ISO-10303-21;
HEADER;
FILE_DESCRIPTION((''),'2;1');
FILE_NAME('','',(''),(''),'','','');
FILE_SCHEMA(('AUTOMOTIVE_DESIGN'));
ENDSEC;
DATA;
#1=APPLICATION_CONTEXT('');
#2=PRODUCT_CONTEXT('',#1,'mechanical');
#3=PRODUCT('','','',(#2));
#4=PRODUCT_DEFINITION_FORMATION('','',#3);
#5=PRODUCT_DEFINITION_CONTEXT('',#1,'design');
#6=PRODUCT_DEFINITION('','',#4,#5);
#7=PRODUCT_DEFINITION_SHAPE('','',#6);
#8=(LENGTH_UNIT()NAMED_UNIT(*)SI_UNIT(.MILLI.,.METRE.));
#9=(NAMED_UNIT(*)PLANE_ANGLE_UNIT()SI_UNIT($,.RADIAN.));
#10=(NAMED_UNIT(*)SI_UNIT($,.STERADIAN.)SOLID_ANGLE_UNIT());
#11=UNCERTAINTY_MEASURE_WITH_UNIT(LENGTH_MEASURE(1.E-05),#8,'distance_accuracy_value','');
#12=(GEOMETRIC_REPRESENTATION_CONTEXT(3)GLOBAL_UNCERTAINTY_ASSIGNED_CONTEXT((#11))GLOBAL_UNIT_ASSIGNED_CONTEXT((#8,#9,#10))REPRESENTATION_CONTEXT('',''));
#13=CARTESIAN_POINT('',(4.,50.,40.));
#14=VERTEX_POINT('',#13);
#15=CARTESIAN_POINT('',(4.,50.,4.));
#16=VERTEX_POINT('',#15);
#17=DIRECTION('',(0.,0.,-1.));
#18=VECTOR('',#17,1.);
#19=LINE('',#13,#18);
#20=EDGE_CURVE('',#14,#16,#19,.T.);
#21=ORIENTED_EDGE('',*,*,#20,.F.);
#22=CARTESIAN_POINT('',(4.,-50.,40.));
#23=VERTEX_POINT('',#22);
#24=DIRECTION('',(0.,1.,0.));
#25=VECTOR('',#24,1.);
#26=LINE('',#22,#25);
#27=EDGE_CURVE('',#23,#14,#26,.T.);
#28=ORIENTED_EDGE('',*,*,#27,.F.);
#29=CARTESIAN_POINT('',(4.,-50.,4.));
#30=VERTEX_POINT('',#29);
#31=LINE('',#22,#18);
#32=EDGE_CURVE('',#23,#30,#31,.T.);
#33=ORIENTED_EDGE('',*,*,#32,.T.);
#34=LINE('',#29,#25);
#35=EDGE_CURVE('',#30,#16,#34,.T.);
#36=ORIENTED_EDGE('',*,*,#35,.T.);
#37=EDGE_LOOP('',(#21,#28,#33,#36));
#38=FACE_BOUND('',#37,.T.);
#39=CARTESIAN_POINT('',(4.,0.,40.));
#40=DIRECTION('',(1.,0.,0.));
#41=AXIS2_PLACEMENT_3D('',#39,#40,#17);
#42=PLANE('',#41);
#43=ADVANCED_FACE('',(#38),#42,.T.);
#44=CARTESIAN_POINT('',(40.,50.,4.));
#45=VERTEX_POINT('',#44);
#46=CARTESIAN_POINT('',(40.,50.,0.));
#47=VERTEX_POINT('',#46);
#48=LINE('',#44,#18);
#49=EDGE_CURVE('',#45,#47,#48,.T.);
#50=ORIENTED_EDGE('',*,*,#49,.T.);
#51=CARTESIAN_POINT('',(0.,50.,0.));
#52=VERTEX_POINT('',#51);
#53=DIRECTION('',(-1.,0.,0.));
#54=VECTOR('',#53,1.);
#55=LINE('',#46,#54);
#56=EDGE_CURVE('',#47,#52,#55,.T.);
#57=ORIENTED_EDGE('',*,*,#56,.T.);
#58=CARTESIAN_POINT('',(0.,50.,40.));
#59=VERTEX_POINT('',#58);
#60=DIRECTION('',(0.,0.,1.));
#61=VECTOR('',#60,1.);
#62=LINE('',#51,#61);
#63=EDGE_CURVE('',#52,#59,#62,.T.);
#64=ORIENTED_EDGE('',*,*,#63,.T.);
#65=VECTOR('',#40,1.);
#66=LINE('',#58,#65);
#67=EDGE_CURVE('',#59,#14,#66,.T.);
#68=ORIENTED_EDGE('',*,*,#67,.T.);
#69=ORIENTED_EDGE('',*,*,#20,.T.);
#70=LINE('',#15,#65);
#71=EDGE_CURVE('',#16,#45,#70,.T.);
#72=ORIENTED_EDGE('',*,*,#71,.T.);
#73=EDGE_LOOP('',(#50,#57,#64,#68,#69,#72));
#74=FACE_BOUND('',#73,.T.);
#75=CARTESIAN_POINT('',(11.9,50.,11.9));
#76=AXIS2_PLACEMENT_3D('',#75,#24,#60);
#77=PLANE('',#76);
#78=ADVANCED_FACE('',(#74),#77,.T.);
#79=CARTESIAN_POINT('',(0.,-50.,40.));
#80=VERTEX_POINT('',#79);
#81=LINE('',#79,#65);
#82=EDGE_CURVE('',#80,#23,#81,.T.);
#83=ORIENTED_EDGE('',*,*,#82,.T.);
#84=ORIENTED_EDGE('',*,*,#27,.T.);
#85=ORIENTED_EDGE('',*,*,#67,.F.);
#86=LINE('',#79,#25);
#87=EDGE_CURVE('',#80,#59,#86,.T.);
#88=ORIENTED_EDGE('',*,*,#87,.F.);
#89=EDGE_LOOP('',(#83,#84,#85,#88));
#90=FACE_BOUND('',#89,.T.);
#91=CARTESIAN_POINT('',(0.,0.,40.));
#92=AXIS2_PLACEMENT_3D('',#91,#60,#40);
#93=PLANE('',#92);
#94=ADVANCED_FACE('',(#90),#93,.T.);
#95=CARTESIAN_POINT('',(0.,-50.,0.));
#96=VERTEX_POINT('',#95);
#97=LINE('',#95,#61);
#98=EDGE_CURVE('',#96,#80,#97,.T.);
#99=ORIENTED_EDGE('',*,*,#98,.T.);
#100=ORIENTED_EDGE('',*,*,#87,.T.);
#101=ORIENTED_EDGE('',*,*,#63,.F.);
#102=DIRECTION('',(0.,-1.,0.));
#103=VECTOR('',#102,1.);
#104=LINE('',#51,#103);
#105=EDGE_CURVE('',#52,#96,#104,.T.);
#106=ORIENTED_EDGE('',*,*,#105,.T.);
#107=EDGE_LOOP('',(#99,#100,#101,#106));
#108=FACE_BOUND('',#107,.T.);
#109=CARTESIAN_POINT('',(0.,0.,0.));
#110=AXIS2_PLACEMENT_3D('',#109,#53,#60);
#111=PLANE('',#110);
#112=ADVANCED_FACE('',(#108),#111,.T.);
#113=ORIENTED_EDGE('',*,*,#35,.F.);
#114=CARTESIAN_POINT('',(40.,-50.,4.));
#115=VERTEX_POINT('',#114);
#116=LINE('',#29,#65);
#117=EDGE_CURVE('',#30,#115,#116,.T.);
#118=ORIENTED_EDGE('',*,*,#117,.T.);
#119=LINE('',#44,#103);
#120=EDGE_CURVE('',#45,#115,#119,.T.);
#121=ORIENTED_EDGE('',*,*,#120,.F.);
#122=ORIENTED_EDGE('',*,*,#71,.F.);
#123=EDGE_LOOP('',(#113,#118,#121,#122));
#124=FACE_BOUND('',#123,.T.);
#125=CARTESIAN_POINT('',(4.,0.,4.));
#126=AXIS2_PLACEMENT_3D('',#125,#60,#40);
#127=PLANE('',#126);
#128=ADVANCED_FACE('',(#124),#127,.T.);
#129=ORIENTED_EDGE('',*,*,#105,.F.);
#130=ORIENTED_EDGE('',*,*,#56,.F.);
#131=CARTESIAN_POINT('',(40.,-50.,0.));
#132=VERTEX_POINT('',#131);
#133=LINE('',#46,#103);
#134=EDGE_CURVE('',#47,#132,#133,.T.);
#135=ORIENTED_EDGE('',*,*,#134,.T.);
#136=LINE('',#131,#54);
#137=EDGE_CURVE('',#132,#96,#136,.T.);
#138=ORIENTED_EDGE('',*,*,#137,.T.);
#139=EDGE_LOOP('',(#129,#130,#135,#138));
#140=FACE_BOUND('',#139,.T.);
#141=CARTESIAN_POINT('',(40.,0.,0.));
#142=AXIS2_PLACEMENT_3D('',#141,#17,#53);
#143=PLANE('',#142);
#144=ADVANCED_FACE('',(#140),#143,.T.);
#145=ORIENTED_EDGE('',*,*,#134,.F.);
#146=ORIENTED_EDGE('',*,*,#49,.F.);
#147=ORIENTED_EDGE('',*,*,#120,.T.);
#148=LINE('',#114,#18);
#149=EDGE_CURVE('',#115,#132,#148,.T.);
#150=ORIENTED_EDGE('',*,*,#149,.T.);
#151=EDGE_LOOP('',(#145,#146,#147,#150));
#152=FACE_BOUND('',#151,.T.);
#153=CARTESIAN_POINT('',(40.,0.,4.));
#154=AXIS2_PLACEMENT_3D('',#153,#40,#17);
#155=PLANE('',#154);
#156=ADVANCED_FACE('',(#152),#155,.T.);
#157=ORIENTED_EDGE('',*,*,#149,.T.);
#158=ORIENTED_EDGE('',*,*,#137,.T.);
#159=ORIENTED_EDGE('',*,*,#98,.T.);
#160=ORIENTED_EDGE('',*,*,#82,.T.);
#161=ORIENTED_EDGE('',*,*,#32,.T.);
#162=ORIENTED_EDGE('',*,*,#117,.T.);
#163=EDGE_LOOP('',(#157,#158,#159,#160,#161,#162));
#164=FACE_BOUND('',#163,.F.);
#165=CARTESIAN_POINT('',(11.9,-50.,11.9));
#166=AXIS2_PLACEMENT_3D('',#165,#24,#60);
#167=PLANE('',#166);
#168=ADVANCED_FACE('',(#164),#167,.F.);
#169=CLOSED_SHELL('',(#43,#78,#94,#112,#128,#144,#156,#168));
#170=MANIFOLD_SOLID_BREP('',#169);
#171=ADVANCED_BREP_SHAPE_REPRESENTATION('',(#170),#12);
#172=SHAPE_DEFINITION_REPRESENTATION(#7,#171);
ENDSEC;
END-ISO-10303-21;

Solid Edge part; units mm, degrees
sketch "Sketch1" plane through (0, 0, 0) normal (0, -1, 0) x (1, 0, 0)
  line L0 (0, 0) -> (0, 40)
  line L1 (0, 40) -> (4, 40)
  line L2 (4, 40) -> (4, 4)
  line L3 (4, 4) -> (40, 4)
  line L4 (40, 4) -> (40, 0)
  line L5 (40, 0) -> (0, 0)
  dimension "D1" = 40
  dimension "D2" = 40
  dimension "D3" = 4
extrude "Protrusion1" add sketch "Sketch1" along normal mid plane 100
properties material "Aluminum, 6061-T6"
